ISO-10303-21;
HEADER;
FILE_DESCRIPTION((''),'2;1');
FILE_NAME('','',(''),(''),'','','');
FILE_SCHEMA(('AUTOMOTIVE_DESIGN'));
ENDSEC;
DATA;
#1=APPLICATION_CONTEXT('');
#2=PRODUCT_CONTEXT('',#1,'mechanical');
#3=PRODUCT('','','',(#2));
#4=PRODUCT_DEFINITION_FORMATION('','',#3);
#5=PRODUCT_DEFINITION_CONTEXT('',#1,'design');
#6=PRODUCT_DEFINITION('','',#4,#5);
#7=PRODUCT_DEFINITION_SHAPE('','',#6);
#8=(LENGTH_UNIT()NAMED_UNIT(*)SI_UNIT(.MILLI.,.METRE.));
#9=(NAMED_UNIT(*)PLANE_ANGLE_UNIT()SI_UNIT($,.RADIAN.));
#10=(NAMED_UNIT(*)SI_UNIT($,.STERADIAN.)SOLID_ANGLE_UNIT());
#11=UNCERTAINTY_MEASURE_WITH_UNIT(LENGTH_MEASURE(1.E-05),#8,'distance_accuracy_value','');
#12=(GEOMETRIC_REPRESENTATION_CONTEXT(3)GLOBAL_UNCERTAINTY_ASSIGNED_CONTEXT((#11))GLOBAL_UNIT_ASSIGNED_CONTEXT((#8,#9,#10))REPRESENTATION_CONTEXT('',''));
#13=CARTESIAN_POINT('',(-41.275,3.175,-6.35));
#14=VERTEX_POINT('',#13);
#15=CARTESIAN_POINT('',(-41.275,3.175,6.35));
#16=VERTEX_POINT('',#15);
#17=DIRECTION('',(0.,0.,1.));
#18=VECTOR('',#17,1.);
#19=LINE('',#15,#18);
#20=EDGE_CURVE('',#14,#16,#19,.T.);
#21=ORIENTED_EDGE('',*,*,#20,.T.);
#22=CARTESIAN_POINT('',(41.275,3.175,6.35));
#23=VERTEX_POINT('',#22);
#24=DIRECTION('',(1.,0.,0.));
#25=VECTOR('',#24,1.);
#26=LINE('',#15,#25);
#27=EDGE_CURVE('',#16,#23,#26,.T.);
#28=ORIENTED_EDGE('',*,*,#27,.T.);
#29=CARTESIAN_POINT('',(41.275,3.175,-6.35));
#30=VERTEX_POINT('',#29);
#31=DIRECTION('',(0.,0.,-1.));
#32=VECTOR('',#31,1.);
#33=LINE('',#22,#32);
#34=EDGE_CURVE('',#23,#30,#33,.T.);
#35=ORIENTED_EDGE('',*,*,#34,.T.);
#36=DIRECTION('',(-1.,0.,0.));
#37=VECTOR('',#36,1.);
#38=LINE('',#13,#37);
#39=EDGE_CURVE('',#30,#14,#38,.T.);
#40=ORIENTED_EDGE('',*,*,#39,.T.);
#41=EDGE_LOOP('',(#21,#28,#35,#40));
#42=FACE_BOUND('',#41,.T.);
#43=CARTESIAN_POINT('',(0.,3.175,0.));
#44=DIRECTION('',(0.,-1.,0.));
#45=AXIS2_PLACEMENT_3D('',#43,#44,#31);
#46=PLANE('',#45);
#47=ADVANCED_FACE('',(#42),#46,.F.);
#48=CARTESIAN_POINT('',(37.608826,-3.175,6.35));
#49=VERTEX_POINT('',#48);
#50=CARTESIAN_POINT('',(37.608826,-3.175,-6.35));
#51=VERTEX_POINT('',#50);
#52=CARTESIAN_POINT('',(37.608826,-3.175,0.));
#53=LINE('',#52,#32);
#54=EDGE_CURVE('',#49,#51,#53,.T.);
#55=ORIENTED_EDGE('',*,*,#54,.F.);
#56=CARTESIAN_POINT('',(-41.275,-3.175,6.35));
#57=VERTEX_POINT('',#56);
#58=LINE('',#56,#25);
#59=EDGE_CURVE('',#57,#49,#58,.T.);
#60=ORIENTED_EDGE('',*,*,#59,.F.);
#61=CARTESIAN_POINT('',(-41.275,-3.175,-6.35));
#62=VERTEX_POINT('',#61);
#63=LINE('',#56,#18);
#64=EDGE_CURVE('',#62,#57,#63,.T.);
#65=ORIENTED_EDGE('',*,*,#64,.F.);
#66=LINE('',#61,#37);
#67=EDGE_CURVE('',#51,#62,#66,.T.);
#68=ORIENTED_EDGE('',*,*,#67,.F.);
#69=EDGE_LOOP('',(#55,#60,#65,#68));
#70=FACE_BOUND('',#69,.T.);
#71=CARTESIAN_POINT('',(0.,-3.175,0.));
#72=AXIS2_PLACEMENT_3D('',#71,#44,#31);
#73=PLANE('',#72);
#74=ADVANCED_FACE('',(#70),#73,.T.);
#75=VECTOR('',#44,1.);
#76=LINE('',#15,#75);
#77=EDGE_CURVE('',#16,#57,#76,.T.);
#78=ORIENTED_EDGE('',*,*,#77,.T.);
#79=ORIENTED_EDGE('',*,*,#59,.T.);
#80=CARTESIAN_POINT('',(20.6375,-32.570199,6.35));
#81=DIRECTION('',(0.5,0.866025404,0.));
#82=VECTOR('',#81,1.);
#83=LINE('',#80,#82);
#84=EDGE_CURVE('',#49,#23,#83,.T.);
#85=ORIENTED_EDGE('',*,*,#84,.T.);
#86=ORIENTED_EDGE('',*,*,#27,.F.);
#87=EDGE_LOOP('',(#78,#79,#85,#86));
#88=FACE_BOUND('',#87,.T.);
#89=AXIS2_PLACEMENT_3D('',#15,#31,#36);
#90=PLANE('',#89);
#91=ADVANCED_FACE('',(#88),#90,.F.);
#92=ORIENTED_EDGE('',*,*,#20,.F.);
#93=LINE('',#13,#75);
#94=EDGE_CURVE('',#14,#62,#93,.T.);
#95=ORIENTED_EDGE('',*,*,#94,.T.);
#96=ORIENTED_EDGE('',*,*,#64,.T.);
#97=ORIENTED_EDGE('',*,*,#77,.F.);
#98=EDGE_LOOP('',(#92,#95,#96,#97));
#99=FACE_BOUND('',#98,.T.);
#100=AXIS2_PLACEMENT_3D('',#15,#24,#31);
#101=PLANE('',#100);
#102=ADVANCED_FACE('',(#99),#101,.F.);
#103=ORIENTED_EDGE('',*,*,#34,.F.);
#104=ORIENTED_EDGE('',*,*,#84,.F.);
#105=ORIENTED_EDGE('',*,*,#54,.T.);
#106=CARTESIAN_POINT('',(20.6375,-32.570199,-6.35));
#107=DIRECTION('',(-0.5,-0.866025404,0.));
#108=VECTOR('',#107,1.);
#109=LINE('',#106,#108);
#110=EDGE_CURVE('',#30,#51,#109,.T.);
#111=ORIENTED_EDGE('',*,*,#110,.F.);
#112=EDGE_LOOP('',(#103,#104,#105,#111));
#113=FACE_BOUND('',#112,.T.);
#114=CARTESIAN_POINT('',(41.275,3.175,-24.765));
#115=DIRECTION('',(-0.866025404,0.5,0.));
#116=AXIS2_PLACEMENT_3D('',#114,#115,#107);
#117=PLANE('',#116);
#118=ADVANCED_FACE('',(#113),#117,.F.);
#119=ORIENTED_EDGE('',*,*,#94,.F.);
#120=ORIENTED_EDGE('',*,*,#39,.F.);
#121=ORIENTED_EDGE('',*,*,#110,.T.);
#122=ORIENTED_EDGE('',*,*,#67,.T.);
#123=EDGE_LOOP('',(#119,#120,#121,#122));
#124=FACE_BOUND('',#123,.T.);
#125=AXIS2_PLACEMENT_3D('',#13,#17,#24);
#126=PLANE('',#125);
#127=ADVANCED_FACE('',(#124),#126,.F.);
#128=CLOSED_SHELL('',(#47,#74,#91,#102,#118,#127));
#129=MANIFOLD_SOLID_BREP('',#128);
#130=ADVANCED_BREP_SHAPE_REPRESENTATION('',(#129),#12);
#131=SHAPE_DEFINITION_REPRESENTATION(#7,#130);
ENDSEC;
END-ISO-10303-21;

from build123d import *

# Parameters (mm, degrees)
SKETCH1_W           = 82.55
SKETCH1_H           = 12.7
BOSS_EXTRUDE1_DEPTH = 3.175
CUT_EXTRUDE1_DEPTH  = 31.115


with BuildPart() as part:
    # Sketch1 → Boss-Extrude1 (new, symmetric)
    with BuildSketch(Plane(origin=(0, 0, 0), x_dir=(1, 0, 0), z_dir=(0, 1, 0))):
        Rectangle(SKETCH1_W, SKETCH1_H)
    extrude(amount=BOSS_EXTRUDE1_DEPTH, both=True)

    # Sketch2 → Cut-Extrude1 (cut, symmetric)
    with BuildSketch(Plane.XY.offset(6.35)):
        Polygon((41.275, 3.175), (37.608825791, -3.175), (41.275, -3.175), align=None)
    extrude(amount=CUT_EXTRUDE1_DEPTH, both=True, mode=Mode.SUBTRACT)


solid = part.part
